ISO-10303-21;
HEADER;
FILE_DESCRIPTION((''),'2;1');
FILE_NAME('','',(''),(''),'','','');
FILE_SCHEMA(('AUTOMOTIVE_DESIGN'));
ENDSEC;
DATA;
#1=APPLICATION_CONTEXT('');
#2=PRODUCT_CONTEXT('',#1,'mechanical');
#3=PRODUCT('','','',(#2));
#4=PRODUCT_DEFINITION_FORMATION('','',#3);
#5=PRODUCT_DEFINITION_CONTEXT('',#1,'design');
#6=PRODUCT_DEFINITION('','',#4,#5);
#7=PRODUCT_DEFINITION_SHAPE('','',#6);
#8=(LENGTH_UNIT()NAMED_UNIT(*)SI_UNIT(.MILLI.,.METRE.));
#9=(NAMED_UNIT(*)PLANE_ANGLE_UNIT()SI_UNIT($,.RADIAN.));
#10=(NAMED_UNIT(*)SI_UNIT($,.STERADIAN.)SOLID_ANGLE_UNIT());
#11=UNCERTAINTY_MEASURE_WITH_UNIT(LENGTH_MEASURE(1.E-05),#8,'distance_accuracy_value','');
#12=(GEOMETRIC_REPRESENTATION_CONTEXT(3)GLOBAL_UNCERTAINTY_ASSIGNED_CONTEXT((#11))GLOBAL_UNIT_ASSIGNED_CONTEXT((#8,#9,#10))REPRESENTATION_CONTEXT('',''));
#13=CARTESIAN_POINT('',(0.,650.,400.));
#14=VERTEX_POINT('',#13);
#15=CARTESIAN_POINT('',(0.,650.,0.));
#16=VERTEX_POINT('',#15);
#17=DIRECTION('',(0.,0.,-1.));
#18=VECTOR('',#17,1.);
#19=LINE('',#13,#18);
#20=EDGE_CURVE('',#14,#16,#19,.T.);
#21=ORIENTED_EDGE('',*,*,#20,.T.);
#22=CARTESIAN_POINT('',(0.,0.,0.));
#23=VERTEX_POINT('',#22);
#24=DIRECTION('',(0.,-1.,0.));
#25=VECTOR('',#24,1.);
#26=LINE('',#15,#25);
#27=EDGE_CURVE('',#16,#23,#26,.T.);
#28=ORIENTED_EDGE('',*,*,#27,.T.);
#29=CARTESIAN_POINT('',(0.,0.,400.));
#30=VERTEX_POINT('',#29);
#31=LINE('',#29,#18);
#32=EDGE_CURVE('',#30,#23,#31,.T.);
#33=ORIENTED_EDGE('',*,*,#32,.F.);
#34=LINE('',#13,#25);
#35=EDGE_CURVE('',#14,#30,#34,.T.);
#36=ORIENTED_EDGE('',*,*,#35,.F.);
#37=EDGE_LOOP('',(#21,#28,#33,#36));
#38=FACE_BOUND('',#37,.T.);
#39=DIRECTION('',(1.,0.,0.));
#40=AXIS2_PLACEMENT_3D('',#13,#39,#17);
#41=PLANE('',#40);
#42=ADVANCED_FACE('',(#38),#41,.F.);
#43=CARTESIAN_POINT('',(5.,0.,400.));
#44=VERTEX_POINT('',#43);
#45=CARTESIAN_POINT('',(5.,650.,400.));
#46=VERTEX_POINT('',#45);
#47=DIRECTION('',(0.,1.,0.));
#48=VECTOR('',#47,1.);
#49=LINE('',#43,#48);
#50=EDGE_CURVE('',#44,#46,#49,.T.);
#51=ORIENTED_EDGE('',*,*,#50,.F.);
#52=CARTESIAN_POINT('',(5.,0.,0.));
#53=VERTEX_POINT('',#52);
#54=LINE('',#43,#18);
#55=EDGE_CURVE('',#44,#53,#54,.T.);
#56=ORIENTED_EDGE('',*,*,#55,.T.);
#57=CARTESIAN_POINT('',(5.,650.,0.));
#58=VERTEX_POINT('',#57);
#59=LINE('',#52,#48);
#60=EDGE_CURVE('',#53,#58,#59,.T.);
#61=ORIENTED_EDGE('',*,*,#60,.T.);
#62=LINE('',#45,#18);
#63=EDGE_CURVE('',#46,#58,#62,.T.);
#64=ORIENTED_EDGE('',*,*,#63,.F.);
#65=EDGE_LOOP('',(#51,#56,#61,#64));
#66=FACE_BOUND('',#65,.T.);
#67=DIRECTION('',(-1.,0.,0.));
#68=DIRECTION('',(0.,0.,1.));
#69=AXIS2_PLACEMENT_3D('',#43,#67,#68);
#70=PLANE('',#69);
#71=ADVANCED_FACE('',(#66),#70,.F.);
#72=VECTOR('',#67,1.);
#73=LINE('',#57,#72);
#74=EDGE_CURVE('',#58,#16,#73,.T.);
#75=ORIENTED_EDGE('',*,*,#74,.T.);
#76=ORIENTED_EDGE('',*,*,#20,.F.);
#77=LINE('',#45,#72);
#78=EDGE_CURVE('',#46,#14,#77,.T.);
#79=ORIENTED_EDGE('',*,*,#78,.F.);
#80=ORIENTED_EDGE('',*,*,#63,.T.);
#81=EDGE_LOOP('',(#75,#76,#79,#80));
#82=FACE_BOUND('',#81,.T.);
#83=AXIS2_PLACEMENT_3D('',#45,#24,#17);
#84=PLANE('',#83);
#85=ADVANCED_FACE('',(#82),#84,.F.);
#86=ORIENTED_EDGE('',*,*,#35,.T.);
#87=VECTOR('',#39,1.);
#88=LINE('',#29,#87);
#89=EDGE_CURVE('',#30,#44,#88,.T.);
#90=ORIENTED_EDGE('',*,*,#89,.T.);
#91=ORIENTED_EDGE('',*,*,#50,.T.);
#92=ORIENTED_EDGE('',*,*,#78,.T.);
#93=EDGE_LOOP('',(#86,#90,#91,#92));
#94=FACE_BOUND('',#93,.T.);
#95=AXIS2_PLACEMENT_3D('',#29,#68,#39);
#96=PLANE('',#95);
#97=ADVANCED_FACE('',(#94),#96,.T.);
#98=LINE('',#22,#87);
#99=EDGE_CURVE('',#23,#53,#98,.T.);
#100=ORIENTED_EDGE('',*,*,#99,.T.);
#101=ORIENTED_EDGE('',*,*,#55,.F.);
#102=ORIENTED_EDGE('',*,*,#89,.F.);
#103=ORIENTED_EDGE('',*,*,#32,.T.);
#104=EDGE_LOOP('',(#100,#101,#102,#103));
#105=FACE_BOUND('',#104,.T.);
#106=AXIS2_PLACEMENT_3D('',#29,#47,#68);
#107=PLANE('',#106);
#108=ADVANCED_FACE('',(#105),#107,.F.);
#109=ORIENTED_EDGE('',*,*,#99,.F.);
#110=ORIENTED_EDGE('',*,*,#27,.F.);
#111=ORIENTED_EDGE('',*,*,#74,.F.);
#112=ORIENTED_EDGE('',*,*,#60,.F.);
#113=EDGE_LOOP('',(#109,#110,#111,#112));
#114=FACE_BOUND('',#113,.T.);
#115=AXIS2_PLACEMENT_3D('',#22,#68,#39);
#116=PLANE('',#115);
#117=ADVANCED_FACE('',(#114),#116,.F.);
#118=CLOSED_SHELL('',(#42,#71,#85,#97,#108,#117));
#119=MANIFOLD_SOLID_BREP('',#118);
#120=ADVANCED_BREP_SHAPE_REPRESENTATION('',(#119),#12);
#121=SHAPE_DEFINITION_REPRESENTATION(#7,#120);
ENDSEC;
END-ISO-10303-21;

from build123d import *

# Parameters (mm, degrees)
SKETCH_1_W                          = 5
SKETCH_1_H                          = 650
CONTINUOUS_LEG_MOUNTING_PLATE_DEPTH = 400


with BuildPart() as part:
    # 草图1 → Continuous_leg_mounting_plate (new body)
    with BuildSketch(Plane.XY):
        with Locations((2.5, 325)):
            Rectangle(SKETCH_1_W, SKETCH_1_H)
    extrude(amount=CONTINUOUS_LEG_MOUNTING_PLATE_DEPTH)


solid = part.part
